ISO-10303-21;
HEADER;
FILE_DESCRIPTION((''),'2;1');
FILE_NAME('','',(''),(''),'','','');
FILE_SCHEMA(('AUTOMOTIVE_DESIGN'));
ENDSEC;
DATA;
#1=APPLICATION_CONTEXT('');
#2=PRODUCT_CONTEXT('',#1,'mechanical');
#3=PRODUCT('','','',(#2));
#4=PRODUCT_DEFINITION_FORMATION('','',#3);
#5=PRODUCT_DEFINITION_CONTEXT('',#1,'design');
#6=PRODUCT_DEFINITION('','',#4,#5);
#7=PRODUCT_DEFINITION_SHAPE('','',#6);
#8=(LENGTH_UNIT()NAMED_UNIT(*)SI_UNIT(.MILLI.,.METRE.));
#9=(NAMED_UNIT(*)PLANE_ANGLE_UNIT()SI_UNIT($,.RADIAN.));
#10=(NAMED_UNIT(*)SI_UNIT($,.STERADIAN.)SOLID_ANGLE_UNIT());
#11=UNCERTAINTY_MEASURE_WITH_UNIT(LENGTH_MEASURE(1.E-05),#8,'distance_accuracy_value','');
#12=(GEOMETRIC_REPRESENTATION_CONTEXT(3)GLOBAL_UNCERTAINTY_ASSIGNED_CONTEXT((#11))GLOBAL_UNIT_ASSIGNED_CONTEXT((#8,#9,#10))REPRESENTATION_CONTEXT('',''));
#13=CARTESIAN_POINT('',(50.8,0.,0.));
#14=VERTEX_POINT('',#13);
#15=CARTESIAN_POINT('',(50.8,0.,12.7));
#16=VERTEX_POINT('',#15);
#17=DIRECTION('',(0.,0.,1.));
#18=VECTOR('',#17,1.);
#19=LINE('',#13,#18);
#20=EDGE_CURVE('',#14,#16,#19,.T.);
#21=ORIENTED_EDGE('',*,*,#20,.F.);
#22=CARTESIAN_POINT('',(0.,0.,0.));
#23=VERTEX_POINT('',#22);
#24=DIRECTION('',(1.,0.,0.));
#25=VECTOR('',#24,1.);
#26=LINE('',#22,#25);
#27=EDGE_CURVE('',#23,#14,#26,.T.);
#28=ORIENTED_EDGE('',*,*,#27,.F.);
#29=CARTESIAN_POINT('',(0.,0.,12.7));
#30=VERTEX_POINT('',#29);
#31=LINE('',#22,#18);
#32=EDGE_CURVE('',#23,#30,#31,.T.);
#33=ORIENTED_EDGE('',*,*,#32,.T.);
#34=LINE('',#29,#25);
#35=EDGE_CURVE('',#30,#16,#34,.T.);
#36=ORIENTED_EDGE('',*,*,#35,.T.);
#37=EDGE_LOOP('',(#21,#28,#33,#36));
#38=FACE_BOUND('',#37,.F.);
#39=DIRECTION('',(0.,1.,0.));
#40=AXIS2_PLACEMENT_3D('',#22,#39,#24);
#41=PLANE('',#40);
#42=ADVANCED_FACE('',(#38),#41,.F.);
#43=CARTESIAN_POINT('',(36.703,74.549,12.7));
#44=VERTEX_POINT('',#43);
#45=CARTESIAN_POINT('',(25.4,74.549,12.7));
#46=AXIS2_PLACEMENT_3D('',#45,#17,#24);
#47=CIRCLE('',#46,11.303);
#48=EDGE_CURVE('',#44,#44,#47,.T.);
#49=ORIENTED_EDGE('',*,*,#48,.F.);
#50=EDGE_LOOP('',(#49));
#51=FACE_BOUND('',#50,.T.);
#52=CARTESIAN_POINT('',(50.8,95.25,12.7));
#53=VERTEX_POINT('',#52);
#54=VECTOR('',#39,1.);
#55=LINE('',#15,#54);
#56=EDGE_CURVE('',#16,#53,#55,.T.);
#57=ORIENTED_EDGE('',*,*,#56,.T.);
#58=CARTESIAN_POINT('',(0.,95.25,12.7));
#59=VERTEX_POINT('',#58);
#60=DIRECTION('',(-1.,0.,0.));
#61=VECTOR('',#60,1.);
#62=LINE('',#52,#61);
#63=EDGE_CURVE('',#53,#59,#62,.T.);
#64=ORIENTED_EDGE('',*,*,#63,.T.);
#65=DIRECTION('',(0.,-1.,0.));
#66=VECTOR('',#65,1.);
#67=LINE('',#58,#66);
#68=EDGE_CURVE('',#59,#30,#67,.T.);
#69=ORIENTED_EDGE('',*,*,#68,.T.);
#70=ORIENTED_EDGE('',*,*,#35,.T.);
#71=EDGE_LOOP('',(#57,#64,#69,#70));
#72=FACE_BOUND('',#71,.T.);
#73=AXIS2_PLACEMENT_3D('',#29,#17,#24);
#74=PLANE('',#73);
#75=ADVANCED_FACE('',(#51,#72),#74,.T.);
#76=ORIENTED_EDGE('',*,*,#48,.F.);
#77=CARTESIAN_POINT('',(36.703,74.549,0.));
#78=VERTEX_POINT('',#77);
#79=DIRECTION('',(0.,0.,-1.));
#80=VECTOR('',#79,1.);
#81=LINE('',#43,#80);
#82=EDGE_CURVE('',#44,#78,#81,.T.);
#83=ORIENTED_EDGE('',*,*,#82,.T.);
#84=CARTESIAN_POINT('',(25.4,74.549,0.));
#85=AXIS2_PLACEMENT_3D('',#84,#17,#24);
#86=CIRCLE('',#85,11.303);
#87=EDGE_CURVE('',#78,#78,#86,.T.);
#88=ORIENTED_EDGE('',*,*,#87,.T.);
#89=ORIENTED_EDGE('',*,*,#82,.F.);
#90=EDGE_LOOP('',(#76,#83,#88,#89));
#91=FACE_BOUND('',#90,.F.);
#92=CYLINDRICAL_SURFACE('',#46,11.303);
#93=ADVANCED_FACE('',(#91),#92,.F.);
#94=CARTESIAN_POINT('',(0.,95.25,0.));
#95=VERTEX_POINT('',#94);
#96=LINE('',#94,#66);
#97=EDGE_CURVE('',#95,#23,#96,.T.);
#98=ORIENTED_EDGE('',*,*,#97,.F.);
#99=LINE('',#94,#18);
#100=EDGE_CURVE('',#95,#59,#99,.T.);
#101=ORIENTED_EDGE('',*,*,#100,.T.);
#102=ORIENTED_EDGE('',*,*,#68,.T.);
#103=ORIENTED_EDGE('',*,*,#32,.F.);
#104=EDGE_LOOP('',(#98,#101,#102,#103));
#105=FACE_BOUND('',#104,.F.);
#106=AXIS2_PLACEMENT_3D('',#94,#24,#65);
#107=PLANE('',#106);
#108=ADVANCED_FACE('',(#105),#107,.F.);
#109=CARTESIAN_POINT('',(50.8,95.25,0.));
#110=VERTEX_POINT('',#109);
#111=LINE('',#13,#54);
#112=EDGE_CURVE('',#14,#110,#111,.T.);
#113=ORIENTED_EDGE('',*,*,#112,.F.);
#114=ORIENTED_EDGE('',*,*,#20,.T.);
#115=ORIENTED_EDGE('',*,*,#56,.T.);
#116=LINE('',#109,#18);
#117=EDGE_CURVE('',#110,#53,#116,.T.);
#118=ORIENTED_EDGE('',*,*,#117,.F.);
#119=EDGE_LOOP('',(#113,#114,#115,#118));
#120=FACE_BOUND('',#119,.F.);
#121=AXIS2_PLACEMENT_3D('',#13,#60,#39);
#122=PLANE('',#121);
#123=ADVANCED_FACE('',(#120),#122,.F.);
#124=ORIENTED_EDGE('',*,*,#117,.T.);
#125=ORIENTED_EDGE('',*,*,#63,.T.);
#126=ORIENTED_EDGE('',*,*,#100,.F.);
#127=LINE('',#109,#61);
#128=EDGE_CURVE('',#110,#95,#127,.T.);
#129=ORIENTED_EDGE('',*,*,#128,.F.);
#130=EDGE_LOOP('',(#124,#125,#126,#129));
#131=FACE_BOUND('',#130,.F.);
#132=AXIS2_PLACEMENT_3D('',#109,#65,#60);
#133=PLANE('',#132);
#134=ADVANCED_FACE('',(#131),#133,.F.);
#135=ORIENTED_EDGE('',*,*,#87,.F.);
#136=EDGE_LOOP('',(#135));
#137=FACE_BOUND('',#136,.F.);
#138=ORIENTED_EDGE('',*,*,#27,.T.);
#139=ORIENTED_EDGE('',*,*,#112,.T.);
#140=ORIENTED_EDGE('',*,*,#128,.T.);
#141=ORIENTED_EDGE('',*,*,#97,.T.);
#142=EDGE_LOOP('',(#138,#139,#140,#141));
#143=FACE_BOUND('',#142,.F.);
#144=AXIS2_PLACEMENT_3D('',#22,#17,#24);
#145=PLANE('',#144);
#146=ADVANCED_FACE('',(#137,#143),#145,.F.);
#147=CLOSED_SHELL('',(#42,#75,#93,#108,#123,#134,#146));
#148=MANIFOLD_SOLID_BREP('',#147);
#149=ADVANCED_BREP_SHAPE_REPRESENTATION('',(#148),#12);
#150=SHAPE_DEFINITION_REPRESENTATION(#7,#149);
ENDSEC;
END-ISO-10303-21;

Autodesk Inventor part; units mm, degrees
ref_plane "YZ Plane" through (0, 0, 0) normal (1, 0, 0) x (0, 1, 0)
ref_plane "XZ Plane" through (0, 0, 0) normal (0, 1, 0) x (-1, 0, 0)
ref_plane "XY Plane" through (0, 0, 0) normal (0, 0, 1) x (1, 0, 0)
sketch "Sketch1" plane through (0, 0, 0) normal (0, 0, 1) x (1, 0, 0)
  line L0 (0, 0) -> (50.8, 0)
  line L1 (50.8, 0) -> (50.8, 95.25)
  line L2 (50.8, 95.25) -> (0, 95.25)
  line L3 (0, 95.25) -> (0, 0)
  dimension "d0" = 50.8
  dimension "d1" = 95.25
extrude "Extrusion1" add sketch "Sketch1" along normal blind 12.7
sketch "Sketch2" plane through (0, 0, 12.7) normal (0, 0, 1) x (1, 0, 0)
  line L0 (0, 0) -> (50.8, 0) projected
  circle A0 centre (25.4, 74.549) radius 11.303
  dimension "d4" = 74.549
  dimension "d5" = 22.606
extrude "Extrusion2" cut sketch "Sketch2" against normal blind 12.7
properties part number "2f1ah" material "PBT Plastic"
